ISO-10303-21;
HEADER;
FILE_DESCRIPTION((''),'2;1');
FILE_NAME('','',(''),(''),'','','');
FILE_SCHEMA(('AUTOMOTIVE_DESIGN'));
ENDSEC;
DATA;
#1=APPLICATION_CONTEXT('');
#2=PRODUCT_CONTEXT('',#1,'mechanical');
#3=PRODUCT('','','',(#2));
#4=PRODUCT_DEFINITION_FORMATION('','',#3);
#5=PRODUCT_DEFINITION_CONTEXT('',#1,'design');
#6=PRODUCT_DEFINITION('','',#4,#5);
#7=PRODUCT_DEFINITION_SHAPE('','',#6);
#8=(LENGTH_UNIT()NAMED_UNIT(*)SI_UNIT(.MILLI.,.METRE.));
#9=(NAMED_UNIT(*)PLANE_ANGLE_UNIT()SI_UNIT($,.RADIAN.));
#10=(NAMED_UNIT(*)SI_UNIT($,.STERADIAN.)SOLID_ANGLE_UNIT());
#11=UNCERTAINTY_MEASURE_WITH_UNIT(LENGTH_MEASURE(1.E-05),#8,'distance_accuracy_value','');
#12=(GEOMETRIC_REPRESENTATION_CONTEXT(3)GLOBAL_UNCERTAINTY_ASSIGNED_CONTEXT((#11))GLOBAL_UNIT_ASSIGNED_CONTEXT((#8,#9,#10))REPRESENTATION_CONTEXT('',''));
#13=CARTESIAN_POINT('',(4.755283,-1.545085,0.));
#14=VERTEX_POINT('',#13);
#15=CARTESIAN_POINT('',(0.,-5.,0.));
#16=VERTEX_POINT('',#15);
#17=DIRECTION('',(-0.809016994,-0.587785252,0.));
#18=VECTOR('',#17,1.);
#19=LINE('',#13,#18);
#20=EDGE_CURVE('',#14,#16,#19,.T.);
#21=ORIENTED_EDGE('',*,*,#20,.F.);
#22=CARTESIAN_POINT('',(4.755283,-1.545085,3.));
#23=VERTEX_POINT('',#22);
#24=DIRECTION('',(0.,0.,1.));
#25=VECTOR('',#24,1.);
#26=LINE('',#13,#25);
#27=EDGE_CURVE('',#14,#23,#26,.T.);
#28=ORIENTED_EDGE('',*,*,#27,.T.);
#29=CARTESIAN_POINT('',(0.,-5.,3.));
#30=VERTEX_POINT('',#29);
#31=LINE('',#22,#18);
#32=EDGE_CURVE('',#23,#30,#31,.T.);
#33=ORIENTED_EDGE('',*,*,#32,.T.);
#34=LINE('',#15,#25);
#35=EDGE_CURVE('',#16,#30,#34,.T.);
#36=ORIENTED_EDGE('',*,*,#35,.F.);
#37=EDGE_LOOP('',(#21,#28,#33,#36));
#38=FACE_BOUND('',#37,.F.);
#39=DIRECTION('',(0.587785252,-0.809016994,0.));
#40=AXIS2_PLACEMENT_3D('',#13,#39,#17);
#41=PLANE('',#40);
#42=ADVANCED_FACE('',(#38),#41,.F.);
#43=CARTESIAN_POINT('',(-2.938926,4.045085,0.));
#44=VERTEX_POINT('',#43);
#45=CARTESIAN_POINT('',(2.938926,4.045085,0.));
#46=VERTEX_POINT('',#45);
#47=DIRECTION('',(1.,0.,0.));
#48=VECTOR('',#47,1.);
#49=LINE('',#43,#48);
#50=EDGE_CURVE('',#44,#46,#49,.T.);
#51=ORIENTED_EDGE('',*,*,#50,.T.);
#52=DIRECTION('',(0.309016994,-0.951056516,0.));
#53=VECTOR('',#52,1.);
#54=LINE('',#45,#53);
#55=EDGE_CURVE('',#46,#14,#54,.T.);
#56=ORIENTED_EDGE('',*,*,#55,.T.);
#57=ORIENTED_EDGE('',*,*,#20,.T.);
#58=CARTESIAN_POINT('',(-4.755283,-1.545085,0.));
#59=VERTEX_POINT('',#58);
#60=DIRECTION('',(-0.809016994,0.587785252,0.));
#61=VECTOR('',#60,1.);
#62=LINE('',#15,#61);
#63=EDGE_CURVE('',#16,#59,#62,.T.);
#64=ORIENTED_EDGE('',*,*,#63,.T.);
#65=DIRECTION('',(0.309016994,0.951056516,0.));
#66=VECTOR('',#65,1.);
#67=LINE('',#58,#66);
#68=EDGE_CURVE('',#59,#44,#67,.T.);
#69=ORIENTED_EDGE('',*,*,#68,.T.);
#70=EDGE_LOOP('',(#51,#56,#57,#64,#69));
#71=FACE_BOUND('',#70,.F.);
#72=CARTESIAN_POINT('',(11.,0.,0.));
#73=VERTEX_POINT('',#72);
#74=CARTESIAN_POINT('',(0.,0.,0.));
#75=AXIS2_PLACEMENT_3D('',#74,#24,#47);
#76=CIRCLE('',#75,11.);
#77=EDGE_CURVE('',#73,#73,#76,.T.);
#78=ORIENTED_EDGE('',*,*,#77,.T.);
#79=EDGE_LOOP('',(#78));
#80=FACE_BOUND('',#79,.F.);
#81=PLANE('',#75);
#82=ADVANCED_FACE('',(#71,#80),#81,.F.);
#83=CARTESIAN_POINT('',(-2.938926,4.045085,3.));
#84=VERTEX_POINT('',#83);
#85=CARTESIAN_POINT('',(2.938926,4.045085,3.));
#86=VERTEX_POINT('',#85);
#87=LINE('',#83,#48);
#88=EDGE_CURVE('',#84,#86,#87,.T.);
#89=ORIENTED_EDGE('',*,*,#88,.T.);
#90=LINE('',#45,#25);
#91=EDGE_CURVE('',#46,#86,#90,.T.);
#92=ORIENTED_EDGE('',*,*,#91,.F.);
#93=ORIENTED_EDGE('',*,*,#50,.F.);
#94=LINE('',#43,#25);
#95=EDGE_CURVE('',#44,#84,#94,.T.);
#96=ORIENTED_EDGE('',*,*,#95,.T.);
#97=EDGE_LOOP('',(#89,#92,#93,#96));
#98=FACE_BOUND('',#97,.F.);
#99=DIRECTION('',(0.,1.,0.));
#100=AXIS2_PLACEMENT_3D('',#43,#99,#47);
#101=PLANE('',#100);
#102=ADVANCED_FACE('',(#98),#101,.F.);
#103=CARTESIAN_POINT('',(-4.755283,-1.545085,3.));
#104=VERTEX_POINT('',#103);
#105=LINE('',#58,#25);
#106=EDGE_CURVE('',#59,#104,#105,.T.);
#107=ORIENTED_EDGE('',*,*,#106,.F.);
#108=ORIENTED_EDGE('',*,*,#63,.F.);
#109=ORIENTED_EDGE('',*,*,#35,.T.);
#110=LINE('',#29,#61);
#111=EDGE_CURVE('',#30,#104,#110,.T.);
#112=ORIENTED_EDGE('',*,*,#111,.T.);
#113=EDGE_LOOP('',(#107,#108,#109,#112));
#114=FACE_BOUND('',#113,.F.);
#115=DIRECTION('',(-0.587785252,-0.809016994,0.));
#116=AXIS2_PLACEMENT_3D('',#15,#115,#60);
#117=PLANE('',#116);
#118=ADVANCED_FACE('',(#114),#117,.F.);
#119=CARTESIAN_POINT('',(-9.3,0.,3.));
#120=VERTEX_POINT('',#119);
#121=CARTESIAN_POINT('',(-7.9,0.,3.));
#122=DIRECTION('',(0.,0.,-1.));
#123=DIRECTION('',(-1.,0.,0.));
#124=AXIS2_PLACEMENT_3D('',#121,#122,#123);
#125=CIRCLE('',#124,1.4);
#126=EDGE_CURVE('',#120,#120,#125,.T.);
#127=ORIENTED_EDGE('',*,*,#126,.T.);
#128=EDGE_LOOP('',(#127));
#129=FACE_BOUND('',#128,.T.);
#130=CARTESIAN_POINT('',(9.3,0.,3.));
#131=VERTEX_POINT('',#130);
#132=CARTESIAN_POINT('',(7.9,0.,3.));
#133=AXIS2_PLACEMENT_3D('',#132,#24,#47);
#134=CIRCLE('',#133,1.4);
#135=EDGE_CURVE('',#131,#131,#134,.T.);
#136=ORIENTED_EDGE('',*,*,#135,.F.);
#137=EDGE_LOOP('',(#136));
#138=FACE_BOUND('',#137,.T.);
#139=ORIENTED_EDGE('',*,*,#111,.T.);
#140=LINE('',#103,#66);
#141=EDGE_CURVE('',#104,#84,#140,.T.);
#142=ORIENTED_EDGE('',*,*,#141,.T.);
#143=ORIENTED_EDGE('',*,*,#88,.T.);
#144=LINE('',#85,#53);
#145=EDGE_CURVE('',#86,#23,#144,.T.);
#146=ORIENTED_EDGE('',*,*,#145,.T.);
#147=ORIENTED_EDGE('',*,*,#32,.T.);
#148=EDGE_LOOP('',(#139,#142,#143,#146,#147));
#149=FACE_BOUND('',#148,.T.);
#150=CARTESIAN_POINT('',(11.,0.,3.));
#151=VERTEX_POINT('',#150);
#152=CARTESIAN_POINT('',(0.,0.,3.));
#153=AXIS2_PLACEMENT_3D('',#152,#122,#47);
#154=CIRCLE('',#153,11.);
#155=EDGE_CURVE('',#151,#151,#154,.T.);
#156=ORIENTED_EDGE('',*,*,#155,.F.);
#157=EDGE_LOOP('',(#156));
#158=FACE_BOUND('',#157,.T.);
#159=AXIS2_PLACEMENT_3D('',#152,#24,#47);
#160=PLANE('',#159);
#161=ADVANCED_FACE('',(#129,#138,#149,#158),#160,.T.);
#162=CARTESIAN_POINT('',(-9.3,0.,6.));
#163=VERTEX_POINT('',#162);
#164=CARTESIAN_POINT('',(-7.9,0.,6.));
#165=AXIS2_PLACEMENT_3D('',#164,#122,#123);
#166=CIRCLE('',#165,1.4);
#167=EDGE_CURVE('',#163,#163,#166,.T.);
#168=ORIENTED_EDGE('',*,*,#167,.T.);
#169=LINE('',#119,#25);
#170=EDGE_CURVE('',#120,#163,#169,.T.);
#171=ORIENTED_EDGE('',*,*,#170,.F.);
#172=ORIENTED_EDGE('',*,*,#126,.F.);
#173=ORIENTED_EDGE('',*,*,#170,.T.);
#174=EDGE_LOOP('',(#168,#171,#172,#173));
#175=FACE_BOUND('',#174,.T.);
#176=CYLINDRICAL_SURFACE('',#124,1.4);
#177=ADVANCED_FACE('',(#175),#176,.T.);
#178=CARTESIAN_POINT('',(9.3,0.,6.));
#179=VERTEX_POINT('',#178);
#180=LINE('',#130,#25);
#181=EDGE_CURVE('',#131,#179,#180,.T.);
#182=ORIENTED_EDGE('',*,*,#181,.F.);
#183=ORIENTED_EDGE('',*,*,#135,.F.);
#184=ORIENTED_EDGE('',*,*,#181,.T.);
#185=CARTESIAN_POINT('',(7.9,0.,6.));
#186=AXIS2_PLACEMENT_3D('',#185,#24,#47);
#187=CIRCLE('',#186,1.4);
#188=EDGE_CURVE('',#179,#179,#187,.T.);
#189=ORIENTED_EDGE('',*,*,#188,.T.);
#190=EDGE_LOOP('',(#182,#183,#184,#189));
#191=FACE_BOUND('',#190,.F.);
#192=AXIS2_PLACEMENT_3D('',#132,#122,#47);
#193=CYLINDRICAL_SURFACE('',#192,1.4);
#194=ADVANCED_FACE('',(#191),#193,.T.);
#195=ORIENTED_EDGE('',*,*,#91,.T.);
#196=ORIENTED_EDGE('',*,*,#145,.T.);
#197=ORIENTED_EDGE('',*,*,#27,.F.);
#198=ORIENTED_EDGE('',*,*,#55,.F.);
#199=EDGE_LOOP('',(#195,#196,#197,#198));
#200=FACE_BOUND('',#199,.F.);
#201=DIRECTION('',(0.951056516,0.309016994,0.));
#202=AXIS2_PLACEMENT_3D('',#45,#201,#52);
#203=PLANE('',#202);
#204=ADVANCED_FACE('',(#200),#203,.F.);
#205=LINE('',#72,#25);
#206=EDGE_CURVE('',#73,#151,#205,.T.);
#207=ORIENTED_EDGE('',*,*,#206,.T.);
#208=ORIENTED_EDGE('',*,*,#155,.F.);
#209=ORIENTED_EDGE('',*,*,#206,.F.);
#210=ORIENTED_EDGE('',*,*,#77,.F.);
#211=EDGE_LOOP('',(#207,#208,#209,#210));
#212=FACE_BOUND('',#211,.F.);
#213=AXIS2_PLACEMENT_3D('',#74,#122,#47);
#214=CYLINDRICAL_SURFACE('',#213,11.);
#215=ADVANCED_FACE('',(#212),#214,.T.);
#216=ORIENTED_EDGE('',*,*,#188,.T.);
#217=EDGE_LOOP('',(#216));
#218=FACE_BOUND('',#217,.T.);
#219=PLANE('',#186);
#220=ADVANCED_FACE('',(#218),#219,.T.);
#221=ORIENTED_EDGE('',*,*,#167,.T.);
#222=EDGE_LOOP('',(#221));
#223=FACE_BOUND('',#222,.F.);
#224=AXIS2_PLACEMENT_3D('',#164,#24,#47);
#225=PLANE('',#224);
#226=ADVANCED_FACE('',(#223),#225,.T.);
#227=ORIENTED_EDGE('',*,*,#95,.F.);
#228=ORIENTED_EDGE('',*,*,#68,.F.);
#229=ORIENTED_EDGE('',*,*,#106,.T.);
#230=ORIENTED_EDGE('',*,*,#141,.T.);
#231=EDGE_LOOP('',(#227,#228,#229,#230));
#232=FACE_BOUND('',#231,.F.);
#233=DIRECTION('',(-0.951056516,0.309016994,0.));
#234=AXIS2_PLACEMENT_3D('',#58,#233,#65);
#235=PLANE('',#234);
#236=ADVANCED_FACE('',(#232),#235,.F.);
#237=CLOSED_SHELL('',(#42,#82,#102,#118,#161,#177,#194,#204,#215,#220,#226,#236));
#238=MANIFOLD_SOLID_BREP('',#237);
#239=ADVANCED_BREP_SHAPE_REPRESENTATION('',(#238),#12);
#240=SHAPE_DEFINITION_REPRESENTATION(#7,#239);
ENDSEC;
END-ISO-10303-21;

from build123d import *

# Parameters (mm, degrees)
F0_R     = 11
F1_DEPTH = 3
F2_R     = 1.4
F3_DEPTH = 3


with BuildPart() as f1:
    # F0 (on Top) → F1 (new body)
    with BuildSketch(Plane.XY):
        Circle(F0_R)
        Polygon((4.7552825815, -1.5450849719), (0, -5), (-4.7552825815, -1.5450849719), (-2.9389262615, 4.0450849719), (2.9389262615, 4.0450849719), align=None, mode=Mode.SUBTRACT)
    extrude(amount=F1_DEPTH)

    # F2 (on face) → F3 (join)
    with BuildSketch(Plane.XY.offset(3)):
        with Locations((7.9, 0)):
            Circle(F2_R)
    extrude(amount=F3_DEPTH)

    # F4: F1 across plane


with BuildPart() as f1_1:
    add(f1.part)
    add(f1.part.mirror(Plane.YZ))


solid = f1_1.part
